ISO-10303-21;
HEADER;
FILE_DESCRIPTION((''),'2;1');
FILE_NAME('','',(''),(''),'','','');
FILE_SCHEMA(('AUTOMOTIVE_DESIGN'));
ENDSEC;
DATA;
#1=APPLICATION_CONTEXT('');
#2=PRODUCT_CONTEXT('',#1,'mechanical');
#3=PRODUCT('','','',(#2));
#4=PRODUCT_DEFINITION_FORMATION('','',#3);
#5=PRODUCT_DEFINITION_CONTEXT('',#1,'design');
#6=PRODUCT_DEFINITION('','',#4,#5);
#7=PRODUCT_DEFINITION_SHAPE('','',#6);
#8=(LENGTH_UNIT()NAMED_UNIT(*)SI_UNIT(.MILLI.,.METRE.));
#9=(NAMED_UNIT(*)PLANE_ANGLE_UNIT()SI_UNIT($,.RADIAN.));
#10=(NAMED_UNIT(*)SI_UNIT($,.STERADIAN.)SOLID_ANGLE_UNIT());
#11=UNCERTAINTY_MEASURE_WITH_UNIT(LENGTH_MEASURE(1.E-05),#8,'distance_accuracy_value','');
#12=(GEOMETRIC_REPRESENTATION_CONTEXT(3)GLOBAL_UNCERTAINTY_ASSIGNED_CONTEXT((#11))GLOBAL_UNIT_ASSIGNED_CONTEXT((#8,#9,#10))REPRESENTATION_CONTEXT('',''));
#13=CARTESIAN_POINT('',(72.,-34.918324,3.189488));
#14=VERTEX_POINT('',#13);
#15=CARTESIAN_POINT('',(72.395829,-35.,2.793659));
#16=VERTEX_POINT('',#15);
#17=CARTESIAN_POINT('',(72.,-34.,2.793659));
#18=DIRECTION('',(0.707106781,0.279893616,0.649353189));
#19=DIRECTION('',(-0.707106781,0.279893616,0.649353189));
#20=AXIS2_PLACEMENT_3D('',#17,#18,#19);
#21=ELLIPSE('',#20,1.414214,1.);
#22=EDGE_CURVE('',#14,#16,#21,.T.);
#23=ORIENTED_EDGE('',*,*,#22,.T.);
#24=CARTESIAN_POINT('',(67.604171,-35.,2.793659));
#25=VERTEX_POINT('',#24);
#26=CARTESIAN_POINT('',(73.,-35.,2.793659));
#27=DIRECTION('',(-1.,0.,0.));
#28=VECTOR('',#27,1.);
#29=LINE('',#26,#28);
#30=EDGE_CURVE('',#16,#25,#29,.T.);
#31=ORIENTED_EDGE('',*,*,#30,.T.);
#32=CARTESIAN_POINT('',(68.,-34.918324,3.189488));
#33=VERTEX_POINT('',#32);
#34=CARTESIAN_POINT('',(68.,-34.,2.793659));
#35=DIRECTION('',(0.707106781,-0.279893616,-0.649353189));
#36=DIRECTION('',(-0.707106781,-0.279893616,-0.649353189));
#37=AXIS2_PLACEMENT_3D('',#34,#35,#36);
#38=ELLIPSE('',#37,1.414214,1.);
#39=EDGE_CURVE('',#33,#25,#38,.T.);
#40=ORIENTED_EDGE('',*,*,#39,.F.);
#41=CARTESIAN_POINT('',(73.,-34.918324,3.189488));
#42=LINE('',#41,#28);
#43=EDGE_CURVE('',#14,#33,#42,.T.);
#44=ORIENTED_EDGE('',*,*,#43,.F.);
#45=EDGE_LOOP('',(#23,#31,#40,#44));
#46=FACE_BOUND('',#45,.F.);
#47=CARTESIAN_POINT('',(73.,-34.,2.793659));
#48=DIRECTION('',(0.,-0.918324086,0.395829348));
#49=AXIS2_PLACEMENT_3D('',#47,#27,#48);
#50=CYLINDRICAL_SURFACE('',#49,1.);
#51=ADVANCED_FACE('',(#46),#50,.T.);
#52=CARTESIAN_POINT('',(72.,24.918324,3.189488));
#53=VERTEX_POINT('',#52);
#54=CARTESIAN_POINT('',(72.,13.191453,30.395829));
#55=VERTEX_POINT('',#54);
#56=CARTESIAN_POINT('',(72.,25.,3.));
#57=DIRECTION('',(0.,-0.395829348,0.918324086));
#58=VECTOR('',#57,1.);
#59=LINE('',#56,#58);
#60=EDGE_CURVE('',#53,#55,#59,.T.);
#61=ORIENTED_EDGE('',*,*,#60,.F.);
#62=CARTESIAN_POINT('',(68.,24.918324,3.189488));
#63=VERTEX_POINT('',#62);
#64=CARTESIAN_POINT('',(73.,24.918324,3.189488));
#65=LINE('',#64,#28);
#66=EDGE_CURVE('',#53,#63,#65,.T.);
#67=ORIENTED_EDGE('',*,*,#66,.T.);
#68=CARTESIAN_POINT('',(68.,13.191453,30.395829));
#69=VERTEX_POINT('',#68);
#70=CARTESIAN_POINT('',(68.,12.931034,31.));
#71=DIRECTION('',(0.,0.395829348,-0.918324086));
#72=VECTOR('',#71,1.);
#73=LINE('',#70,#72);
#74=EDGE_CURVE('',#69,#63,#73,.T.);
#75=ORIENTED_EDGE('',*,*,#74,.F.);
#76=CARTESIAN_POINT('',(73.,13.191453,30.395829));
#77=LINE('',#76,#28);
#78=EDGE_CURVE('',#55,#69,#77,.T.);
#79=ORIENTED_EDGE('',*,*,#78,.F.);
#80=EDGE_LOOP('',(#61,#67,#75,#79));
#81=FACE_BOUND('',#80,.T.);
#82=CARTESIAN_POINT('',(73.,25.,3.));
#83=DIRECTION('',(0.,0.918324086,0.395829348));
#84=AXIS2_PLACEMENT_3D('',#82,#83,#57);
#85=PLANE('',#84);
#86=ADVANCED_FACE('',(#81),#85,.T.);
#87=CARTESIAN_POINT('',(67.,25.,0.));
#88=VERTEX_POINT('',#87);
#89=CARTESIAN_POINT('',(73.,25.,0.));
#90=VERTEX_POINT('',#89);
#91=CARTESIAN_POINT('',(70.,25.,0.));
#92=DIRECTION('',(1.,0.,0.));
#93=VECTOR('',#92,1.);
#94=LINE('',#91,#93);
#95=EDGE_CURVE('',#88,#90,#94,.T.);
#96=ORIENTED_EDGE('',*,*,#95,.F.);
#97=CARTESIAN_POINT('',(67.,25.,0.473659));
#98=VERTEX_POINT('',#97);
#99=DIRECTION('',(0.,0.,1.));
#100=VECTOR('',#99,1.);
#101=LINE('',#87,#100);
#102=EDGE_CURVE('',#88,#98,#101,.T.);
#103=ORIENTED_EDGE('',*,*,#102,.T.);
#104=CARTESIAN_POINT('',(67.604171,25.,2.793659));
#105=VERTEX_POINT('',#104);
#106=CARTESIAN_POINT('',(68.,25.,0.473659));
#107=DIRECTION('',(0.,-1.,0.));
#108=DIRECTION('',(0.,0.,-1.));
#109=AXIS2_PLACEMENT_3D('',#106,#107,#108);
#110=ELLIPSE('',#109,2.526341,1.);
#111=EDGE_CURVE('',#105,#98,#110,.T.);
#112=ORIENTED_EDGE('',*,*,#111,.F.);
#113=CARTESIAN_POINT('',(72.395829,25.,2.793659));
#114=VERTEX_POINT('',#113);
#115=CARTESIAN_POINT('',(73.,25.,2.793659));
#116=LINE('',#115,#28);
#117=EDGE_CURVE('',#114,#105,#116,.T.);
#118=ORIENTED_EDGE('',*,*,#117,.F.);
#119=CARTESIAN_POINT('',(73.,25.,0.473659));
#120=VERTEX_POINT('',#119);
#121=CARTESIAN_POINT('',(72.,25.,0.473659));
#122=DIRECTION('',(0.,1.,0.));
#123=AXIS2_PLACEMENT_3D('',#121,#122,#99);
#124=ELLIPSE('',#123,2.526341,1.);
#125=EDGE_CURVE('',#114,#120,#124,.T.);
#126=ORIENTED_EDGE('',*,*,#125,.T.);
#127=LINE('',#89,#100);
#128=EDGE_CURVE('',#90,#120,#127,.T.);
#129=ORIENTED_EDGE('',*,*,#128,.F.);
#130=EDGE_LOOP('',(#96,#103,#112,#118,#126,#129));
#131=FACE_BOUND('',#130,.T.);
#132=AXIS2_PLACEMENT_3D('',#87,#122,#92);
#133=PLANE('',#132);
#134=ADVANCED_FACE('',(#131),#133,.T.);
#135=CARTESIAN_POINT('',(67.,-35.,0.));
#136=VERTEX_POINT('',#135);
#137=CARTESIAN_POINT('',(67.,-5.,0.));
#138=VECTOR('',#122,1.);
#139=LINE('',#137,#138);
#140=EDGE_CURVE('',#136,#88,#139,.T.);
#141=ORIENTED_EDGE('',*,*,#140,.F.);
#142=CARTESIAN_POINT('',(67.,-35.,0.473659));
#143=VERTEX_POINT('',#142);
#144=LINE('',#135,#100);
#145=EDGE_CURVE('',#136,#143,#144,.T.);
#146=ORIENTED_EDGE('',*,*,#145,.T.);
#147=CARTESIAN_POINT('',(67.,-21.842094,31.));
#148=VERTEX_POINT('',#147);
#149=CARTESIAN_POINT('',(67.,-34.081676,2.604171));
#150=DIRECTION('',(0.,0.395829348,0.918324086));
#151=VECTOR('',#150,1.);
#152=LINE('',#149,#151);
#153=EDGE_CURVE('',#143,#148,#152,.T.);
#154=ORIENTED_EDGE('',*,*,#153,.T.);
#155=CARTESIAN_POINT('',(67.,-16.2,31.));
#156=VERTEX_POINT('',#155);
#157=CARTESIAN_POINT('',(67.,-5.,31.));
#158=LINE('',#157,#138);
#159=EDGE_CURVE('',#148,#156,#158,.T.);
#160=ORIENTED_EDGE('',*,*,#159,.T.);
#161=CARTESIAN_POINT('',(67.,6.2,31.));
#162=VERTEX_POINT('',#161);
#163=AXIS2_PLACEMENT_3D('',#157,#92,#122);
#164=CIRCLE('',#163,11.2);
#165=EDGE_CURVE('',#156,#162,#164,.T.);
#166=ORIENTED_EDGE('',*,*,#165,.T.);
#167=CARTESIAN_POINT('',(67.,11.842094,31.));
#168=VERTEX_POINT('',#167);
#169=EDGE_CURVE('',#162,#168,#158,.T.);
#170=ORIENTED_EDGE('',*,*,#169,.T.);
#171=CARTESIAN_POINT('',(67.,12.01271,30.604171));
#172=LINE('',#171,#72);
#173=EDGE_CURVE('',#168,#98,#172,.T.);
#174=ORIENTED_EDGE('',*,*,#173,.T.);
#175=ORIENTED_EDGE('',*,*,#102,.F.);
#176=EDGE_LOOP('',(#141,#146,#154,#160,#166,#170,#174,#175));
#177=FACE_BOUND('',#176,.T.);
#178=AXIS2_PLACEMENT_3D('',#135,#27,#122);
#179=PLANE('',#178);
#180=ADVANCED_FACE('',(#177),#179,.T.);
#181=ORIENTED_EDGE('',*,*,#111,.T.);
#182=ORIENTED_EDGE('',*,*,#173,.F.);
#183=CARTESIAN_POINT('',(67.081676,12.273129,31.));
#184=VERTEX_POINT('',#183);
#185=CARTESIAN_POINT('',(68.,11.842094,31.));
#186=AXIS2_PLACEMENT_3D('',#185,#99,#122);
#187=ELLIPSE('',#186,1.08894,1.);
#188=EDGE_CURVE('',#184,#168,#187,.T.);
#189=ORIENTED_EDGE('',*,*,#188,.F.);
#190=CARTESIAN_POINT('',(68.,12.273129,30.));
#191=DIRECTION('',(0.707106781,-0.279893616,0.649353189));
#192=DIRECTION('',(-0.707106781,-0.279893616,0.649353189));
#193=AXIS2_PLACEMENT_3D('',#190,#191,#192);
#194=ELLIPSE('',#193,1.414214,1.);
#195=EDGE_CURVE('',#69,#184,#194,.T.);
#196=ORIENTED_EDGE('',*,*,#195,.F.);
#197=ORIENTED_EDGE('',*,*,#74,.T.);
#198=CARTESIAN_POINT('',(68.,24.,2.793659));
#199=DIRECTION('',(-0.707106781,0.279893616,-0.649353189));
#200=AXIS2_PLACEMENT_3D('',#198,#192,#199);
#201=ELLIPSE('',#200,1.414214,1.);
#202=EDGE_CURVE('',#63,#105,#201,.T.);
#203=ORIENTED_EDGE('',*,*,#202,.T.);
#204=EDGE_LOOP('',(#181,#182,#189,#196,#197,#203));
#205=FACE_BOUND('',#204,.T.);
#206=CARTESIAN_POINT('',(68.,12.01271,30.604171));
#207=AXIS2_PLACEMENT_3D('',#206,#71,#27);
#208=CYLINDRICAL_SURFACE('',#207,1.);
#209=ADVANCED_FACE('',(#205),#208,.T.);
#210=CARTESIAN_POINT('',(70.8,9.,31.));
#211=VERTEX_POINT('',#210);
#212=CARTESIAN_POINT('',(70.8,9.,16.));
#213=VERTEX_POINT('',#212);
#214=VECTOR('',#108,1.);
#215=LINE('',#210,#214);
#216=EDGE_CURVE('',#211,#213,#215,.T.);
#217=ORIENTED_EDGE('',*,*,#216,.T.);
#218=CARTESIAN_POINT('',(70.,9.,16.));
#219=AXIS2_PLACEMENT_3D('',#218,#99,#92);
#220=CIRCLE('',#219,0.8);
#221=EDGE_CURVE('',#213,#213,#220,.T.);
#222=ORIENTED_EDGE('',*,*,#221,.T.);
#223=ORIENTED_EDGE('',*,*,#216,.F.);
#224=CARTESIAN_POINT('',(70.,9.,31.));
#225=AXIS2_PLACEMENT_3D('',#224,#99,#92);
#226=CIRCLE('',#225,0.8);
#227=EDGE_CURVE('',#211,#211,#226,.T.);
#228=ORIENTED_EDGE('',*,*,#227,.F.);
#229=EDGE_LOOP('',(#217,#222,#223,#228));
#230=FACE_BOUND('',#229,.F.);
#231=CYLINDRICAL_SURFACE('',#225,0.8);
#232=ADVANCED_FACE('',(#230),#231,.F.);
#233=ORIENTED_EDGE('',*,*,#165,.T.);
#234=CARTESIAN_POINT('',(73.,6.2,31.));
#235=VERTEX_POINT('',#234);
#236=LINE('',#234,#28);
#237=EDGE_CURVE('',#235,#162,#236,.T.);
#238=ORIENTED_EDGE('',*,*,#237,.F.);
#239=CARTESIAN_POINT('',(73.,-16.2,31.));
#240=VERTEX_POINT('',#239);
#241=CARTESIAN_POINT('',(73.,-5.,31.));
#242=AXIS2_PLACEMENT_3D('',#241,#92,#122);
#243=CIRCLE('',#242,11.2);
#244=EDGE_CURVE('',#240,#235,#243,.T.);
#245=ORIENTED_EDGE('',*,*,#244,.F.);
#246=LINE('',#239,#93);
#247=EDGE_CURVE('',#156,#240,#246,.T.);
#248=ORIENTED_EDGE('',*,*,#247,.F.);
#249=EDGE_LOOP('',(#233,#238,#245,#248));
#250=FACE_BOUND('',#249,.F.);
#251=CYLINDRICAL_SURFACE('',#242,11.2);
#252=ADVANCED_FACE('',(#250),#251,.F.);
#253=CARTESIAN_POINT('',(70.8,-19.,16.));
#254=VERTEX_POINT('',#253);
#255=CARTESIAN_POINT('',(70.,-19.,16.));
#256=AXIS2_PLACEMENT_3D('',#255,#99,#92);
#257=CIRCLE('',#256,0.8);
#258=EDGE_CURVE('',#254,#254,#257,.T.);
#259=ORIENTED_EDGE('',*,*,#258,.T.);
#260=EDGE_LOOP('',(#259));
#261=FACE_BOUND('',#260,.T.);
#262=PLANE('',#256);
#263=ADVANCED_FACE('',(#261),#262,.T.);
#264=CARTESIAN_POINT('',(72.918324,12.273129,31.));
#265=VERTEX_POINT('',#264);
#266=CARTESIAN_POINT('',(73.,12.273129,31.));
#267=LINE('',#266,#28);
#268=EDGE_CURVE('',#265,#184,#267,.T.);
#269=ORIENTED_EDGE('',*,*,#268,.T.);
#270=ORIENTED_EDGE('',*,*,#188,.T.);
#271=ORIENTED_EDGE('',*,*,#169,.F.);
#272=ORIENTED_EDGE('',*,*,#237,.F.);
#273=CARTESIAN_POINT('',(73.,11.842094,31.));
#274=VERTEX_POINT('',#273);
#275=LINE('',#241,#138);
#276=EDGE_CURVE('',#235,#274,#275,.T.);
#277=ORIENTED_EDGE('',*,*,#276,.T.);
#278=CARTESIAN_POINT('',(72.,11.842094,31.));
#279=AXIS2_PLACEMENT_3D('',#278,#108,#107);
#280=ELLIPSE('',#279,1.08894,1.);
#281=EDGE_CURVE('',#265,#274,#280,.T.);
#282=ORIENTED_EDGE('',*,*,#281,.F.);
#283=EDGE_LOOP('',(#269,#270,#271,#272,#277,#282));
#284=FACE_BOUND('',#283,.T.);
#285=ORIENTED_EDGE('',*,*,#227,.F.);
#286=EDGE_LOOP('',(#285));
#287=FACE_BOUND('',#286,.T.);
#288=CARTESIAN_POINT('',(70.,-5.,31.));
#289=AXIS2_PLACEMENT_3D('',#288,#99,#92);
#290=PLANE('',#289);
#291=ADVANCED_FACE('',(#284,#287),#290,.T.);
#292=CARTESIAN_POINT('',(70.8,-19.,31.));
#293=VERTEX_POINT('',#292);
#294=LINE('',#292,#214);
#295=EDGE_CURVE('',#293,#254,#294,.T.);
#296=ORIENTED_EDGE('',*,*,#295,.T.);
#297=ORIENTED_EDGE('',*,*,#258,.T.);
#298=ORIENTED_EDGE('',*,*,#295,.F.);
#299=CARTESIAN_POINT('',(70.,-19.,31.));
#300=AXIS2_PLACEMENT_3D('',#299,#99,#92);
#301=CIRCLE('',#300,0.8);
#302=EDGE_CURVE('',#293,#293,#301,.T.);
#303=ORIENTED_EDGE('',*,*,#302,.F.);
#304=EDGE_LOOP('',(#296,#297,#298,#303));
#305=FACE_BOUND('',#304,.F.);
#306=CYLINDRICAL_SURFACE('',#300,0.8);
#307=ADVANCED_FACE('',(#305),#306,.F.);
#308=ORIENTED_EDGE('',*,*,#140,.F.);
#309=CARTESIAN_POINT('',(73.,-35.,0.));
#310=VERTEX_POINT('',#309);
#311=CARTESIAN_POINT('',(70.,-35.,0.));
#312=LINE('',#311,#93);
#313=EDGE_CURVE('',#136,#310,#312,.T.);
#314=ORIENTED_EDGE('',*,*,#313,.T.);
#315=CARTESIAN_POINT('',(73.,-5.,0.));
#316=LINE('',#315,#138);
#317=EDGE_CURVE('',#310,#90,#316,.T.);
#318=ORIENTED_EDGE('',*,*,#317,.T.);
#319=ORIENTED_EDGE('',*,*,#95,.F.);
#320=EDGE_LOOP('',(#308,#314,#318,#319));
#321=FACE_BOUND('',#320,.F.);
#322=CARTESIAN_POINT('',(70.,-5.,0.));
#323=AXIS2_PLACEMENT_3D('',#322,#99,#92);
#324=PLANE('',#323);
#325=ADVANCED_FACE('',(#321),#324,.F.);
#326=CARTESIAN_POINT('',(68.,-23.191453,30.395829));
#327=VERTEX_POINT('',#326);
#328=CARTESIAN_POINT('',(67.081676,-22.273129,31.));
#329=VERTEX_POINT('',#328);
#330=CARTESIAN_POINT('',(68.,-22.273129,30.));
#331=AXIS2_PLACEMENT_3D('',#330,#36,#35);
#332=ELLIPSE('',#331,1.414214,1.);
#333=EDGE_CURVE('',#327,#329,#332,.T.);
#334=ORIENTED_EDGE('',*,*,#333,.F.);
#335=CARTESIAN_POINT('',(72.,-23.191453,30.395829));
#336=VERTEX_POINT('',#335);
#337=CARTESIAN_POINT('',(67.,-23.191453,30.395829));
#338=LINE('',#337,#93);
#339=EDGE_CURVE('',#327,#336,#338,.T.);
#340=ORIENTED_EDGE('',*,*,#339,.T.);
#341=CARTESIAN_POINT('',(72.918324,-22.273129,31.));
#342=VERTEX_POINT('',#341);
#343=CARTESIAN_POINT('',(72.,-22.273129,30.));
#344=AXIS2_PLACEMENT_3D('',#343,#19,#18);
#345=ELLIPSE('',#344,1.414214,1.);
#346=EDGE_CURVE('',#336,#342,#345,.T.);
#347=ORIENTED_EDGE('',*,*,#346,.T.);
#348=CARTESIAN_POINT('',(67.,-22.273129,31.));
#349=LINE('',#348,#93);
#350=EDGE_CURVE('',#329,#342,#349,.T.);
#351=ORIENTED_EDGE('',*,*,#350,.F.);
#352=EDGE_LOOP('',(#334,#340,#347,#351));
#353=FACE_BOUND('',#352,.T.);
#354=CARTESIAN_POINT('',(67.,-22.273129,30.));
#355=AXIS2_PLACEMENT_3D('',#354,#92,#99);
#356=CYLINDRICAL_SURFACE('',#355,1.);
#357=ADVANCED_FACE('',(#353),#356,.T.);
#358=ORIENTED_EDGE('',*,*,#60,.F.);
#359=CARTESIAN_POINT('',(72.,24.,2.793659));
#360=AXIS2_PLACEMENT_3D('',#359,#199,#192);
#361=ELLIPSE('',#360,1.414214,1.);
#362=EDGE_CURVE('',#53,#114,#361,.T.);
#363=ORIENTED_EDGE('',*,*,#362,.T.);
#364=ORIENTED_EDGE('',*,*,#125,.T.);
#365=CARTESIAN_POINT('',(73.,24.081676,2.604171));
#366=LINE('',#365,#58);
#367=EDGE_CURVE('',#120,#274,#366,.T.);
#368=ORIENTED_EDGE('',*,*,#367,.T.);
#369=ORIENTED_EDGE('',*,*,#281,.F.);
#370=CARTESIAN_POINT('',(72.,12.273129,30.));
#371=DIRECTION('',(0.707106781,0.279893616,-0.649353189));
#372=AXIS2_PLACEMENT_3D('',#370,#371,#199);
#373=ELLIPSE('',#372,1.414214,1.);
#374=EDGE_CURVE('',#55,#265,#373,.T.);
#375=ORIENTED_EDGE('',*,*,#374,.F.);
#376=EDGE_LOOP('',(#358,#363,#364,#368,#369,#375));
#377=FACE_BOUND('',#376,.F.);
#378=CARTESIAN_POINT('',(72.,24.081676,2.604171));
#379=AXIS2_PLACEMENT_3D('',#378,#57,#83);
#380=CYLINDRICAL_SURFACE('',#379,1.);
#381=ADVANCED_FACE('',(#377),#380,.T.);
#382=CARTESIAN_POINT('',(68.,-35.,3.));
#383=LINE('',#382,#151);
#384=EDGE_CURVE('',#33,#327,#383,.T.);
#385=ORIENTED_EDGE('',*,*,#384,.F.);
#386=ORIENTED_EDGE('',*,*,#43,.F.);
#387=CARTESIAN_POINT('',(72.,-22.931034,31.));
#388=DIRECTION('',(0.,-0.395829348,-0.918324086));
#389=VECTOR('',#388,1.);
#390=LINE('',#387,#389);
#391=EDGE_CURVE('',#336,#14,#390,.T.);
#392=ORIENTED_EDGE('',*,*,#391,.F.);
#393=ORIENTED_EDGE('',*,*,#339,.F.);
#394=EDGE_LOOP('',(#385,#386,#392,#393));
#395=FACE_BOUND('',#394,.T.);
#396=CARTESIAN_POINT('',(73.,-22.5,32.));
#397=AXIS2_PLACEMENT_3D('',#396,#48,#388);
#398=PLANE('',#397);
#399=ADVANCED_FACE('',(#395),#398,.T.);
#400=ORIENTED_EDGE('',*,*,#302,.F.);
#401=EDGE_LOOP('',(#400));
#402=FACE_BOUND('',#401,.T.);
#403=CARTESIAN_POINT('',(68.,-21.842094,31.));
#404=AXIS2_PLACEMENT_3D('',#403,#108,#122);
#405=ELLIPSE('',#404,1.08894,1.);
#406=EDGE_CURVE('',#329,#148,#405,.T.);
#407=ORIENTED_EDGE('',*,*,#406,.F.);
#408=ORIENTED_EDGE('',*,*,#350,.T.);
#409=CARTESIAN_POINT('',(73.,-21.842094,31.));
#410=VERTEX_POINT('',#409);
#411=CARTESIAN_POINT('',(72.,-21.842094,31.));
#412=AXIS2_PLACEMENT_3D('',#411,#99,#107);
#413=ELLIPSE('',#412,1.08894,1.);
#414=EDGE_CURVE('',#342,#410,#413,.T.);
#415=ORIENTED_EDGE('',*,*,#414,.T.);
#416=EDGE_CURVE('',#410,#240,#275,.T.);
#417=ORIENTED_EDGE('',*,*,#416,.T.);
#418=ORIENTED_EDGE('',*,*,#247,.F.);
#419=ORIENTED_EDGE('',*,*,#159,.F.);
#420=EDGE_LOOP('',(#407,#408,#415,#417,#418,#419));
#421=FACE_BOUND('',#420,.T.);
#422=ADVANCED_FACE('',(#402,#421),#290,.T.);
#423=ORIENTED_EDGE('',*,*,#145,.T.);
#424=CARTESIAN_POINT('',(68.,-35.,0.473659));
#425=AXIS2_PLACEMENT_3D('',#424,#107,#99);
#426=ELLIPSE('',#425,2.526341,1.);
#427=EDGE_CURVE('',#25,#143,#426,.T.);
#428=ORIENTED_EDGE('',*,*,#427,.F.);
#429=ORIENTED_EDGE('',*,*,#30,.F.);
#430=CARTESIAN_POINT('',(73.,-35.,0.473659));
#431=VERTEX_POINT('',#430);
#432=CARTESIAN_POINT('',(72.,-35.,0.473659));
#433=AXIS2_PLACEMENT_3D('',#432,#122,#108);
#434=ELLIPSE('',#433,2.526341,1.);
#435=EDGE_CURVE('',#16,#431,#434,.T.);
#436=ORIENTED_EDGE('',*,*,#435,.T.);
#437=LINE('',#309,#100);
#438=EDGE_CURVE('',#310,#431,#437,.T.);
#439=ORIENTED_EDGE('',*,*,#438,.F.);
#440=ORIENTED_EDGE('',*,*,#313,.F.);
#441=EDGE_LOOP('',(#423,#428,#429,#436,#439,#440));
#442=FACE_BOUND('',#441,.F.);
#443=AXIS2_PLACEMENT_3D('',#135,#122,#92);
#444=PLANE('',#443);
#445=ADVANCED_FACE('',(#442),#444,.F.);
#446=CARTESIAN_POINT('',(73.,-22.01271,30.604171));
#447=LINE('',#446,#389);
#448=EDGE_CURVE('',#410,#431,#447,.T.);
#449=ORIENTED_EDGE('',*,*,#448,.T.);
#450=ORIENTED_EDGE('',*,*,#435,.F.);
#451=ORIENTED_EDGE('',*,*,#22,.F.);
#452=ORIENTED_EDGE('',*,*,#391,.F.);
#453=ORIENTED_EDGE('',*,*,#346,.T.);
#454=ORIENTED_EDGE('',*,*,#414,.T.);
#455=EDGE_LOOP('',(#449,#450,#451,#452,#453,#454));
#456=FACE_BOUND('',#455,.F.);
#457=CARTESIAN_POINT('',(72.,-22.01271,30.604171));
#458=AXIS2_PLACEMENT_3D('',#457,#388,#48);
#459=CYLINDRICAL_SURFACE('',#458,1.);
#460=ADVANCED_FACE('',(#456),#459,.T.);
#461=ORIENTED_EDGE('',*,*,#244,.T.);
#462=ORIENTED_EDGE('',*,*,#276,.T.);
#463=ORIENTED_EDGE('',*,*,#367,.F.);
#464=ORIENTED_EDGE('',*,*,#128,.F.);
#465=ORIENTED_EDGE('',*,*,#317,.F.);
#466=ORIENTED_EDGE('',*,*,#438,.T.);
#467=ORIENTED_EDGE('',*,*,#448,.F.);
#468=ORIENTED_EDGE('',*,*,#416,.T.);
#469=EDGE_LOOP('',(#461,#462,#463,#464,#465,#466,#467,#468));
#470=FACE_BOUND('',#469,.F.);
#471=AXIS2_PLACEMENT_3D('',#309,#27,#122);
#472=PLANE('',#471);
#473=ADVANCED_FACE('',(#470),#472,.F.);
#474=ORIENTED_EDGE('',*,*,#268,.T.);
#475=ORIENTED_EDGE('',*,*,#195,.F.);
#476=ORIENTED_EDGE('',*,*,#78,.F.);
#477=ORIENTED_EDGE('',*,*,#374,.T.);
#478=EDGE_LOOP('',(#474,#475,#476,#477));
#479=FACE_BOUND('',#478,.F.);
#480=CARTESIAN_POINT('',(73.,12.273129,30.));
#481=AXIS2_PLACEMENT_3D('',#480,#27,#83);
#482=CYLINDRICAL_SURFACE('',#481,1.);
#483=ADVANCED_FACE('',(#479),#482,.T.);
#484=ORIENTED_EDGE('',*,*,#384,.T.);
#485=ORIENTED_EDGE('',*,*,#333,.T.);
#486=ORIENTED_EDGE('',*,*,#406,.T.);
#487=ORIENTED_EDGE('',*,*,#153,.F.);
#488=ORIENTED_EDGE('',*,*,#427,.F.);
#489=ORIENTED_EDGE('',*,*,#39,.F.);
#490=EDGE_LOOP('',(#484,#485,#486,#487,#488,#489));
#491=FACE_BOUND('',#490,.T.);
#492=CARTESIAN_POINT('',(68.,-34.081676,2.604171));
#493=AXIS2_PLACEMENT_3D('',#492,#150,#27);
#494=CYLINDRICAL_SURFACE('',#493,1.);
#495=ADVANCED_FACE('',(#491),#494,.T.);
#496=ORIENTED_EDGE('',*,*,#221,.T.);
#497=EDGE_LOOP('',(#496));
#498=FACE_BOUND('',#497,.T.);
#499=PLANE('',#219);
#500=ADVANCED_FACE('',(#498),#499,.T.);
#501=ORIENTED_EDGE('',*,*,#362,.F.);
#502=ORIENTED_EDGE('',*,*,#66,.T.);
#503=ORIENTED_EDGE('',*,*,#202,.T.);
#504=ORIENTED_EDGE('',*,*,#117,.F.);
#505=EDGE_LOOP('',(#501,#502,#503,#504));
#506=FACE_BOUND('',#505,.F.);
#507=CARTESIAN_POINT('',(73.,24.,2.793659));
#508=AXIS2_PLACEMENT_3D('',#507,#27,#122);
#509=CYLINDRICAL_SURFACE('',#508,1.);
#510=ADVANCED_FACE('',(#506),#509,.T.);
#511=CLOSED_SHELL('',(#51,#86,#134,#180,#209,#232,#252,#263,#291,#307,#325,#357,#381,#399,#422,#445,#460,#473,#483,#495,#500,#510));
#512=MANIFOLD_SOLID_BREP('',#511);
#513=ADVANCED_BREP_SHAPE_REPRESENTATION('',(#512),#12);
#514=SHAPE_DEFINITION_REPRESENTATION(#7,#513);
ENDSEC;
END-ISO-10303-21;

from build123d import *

# Parameters (mm, degrees)
SKETCH020_W     = 6
SKETCH020_H     = 60
PAD004_DEPTH    = 31
SKETCH021_R     = 11.2
POCKET_DEPTH    = 6.001
SKETCH028_R     = 0.8
POCKET010_DEPTH = 15
POCKET011_DEPTH = 6.001
FILLET_R        = 1


with BuildPart() as part:
    # Sketch020 → Pad004 (new body)
    with BuildSketch(Plane.XY):
        with Locations((70, -5)):
            Rectangle(SKETCH020_W, SKETCH020_H)
    extrude(amount=PAD004_DEPTH)

    # Sketch021 → Pocket (cut, through all)
    with BuildSketch(Plane.YZ.offset(73)):
        with Locations((-5, 31)):
            Circle(SKETCH021_R)
    extrude(amount=-POCKET_DEPTH, mode=Mode.SUBTRACT)

    # Sketch028 → Pocket010 (cut)
    with BuildSketch(Plane.XY.offset(31)):
        with Locations((70, 9)):
            Circle(SKETCH028_R)
        with Locations((70, -19)):
            Circle(SKETCH028_R)
    extrude(amount=-POCKET010_DEPTH, mode=Mode.SUBTRACT)

    # Sketch029 → Pocket011 (cut, through all)
    with BuildSketch(Plane.YZ.offset(73)):
        Polygon((25, 3), (12.5, 32), (-22.5, 32), (-35, 3), (-38.294894757, 52.1665199783), (33.061305243, 52.1665199783), align=None)
    extrude(amount=-POCKET011_DEPTH, mode=Mode.SUBTRACT)

    # Fillet
    fillet_edges = [part.edges().sort_by_distance(p)[0] for p in [
        (73, 18.965517, 17),
        (70, 12.931034, 31),
        (67, 18.965517, 17),
        (70, 25, 3),
        (73, -28.965517, 17),
        (70, -35, 3),
        (67, -28.965517, 17),
        (70, -22.931034, 31),
    ]]
    fillet(fillet_edges, radius=FILLET_R)


solid = part.part
